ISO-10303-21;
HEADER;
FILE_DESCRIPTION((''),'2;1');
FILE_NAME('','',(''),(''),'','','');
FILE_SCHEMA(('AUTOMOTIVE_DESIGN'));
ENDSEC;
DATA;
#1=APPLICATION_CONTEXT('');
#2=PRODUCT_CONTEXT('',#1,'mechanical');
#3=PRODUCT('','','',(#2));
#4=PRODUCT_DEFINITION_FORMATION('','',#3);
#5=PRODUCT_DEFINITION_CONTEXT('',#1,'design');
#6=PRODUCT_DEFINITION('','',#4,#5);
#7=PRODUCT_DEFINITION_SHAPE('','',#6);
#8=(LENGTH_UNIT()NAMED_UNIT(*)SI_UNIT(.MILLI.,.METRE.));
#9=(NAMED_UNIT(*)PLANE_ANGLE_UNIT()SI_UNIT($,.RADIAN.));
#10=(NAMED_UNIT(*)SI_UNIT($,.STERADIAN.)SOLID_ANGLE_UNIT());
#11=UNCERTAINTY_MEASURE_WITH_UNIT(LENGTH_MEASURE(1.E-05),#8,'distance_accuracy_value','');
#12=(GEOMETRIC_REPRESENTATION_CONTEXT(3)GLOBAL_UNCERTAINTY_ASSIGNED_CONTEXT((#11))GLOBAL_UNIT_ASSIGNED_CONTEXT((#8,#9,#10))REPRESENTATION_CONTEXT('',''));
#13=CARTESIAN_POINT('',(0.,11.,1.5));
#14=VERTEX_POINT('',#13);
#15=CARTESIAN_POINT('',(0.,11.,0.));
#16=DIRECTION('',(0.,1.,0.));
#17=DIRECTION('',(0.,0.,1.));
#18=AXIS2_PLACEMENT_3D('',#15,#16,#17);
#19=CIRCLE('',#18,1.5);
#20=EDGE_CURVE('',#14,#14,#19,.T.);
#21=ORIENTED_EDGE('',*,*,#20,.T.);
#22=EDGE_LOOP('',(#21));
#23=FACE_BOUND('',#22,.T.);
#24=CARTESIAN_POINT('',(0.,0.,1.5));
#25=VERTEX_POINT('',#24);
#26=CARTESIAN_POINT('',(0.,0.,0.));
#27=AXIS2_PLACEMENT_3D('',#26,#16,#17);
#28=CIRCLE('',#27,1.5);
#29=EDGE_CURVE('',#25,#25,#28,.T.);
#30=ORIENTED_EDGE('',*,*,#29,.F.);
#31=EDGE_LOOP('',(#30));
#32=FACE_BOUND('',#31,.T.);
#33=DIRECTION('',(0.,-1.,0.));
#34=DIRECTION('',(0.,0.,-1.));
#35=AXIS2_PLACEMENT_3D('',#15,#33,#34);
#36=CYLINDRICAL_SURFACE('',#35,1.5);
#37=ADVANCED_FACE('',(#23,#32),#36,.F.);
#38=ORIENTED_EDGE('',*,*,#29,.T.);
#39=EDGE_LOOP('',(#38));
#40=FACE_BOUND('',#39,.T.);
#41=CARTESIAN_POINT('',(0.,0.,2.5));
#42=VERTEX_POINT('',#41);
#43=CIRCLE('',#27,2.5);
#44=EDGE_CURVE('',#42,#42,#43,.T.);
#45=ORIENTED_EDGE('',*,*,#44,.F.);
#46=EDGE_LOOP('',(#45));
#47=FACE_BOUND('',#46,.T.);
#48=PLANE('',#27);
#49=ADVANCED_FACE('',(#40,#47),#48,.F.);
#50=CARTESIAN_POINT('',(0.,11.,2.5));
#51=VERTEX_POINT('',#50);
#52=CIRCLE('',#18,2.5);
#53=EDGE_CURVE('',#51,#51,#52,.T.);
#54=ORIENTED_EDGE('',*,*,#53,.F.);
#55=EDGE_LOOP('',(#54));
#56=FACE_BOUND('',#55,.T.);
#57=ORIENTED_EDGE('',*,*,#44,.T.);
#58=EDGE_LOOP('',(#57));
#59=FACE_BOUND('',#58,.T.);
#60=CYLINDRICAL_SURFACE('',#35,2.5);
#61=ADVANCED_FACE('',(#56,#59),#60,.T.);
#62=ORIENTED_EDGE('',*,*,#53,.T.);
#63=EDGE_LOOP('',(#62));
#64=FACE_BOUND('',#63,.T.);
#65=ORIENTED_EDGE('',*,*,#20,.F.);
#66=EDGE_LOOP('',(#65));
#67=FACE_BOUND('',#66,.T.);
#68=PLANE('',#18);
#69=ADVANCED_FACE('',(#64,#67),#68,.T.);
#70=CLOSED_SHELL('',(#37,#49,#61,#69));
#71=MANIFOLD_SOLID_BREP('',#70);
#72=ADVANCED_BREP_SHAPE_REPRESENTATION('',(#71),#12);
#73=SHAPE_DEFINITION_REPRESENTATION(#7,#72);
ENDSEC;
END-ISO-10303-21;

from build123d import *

# Parameters (mm, degrees)
SKETCH_1_R      = 2.5
SKETCH_1_R_2    = 1.5
EXTRUDE_1_DEPTH = 11


with BuildPart() as part:
    # Эскиз1 → Бобышка-Вытянуть1 (new body)
    with BuildSketch(Plane(origin=(0, 0, 0), x_dir=(1, 0, 0), z_dir=(0, 1, 0))):
        with Locations(Location((0, 0, 0), (0, 0, 270))):
            Circle(SKETCH_1_R)
        with Locations(Location((0, 0, 0), (0, 0, 270))):
            Circle(SKETCH_1_R_2, mode=Mode.SUBTRACT)
    extrude(amount=EXTRUDE_1_DEPTH)


solid = part.part
